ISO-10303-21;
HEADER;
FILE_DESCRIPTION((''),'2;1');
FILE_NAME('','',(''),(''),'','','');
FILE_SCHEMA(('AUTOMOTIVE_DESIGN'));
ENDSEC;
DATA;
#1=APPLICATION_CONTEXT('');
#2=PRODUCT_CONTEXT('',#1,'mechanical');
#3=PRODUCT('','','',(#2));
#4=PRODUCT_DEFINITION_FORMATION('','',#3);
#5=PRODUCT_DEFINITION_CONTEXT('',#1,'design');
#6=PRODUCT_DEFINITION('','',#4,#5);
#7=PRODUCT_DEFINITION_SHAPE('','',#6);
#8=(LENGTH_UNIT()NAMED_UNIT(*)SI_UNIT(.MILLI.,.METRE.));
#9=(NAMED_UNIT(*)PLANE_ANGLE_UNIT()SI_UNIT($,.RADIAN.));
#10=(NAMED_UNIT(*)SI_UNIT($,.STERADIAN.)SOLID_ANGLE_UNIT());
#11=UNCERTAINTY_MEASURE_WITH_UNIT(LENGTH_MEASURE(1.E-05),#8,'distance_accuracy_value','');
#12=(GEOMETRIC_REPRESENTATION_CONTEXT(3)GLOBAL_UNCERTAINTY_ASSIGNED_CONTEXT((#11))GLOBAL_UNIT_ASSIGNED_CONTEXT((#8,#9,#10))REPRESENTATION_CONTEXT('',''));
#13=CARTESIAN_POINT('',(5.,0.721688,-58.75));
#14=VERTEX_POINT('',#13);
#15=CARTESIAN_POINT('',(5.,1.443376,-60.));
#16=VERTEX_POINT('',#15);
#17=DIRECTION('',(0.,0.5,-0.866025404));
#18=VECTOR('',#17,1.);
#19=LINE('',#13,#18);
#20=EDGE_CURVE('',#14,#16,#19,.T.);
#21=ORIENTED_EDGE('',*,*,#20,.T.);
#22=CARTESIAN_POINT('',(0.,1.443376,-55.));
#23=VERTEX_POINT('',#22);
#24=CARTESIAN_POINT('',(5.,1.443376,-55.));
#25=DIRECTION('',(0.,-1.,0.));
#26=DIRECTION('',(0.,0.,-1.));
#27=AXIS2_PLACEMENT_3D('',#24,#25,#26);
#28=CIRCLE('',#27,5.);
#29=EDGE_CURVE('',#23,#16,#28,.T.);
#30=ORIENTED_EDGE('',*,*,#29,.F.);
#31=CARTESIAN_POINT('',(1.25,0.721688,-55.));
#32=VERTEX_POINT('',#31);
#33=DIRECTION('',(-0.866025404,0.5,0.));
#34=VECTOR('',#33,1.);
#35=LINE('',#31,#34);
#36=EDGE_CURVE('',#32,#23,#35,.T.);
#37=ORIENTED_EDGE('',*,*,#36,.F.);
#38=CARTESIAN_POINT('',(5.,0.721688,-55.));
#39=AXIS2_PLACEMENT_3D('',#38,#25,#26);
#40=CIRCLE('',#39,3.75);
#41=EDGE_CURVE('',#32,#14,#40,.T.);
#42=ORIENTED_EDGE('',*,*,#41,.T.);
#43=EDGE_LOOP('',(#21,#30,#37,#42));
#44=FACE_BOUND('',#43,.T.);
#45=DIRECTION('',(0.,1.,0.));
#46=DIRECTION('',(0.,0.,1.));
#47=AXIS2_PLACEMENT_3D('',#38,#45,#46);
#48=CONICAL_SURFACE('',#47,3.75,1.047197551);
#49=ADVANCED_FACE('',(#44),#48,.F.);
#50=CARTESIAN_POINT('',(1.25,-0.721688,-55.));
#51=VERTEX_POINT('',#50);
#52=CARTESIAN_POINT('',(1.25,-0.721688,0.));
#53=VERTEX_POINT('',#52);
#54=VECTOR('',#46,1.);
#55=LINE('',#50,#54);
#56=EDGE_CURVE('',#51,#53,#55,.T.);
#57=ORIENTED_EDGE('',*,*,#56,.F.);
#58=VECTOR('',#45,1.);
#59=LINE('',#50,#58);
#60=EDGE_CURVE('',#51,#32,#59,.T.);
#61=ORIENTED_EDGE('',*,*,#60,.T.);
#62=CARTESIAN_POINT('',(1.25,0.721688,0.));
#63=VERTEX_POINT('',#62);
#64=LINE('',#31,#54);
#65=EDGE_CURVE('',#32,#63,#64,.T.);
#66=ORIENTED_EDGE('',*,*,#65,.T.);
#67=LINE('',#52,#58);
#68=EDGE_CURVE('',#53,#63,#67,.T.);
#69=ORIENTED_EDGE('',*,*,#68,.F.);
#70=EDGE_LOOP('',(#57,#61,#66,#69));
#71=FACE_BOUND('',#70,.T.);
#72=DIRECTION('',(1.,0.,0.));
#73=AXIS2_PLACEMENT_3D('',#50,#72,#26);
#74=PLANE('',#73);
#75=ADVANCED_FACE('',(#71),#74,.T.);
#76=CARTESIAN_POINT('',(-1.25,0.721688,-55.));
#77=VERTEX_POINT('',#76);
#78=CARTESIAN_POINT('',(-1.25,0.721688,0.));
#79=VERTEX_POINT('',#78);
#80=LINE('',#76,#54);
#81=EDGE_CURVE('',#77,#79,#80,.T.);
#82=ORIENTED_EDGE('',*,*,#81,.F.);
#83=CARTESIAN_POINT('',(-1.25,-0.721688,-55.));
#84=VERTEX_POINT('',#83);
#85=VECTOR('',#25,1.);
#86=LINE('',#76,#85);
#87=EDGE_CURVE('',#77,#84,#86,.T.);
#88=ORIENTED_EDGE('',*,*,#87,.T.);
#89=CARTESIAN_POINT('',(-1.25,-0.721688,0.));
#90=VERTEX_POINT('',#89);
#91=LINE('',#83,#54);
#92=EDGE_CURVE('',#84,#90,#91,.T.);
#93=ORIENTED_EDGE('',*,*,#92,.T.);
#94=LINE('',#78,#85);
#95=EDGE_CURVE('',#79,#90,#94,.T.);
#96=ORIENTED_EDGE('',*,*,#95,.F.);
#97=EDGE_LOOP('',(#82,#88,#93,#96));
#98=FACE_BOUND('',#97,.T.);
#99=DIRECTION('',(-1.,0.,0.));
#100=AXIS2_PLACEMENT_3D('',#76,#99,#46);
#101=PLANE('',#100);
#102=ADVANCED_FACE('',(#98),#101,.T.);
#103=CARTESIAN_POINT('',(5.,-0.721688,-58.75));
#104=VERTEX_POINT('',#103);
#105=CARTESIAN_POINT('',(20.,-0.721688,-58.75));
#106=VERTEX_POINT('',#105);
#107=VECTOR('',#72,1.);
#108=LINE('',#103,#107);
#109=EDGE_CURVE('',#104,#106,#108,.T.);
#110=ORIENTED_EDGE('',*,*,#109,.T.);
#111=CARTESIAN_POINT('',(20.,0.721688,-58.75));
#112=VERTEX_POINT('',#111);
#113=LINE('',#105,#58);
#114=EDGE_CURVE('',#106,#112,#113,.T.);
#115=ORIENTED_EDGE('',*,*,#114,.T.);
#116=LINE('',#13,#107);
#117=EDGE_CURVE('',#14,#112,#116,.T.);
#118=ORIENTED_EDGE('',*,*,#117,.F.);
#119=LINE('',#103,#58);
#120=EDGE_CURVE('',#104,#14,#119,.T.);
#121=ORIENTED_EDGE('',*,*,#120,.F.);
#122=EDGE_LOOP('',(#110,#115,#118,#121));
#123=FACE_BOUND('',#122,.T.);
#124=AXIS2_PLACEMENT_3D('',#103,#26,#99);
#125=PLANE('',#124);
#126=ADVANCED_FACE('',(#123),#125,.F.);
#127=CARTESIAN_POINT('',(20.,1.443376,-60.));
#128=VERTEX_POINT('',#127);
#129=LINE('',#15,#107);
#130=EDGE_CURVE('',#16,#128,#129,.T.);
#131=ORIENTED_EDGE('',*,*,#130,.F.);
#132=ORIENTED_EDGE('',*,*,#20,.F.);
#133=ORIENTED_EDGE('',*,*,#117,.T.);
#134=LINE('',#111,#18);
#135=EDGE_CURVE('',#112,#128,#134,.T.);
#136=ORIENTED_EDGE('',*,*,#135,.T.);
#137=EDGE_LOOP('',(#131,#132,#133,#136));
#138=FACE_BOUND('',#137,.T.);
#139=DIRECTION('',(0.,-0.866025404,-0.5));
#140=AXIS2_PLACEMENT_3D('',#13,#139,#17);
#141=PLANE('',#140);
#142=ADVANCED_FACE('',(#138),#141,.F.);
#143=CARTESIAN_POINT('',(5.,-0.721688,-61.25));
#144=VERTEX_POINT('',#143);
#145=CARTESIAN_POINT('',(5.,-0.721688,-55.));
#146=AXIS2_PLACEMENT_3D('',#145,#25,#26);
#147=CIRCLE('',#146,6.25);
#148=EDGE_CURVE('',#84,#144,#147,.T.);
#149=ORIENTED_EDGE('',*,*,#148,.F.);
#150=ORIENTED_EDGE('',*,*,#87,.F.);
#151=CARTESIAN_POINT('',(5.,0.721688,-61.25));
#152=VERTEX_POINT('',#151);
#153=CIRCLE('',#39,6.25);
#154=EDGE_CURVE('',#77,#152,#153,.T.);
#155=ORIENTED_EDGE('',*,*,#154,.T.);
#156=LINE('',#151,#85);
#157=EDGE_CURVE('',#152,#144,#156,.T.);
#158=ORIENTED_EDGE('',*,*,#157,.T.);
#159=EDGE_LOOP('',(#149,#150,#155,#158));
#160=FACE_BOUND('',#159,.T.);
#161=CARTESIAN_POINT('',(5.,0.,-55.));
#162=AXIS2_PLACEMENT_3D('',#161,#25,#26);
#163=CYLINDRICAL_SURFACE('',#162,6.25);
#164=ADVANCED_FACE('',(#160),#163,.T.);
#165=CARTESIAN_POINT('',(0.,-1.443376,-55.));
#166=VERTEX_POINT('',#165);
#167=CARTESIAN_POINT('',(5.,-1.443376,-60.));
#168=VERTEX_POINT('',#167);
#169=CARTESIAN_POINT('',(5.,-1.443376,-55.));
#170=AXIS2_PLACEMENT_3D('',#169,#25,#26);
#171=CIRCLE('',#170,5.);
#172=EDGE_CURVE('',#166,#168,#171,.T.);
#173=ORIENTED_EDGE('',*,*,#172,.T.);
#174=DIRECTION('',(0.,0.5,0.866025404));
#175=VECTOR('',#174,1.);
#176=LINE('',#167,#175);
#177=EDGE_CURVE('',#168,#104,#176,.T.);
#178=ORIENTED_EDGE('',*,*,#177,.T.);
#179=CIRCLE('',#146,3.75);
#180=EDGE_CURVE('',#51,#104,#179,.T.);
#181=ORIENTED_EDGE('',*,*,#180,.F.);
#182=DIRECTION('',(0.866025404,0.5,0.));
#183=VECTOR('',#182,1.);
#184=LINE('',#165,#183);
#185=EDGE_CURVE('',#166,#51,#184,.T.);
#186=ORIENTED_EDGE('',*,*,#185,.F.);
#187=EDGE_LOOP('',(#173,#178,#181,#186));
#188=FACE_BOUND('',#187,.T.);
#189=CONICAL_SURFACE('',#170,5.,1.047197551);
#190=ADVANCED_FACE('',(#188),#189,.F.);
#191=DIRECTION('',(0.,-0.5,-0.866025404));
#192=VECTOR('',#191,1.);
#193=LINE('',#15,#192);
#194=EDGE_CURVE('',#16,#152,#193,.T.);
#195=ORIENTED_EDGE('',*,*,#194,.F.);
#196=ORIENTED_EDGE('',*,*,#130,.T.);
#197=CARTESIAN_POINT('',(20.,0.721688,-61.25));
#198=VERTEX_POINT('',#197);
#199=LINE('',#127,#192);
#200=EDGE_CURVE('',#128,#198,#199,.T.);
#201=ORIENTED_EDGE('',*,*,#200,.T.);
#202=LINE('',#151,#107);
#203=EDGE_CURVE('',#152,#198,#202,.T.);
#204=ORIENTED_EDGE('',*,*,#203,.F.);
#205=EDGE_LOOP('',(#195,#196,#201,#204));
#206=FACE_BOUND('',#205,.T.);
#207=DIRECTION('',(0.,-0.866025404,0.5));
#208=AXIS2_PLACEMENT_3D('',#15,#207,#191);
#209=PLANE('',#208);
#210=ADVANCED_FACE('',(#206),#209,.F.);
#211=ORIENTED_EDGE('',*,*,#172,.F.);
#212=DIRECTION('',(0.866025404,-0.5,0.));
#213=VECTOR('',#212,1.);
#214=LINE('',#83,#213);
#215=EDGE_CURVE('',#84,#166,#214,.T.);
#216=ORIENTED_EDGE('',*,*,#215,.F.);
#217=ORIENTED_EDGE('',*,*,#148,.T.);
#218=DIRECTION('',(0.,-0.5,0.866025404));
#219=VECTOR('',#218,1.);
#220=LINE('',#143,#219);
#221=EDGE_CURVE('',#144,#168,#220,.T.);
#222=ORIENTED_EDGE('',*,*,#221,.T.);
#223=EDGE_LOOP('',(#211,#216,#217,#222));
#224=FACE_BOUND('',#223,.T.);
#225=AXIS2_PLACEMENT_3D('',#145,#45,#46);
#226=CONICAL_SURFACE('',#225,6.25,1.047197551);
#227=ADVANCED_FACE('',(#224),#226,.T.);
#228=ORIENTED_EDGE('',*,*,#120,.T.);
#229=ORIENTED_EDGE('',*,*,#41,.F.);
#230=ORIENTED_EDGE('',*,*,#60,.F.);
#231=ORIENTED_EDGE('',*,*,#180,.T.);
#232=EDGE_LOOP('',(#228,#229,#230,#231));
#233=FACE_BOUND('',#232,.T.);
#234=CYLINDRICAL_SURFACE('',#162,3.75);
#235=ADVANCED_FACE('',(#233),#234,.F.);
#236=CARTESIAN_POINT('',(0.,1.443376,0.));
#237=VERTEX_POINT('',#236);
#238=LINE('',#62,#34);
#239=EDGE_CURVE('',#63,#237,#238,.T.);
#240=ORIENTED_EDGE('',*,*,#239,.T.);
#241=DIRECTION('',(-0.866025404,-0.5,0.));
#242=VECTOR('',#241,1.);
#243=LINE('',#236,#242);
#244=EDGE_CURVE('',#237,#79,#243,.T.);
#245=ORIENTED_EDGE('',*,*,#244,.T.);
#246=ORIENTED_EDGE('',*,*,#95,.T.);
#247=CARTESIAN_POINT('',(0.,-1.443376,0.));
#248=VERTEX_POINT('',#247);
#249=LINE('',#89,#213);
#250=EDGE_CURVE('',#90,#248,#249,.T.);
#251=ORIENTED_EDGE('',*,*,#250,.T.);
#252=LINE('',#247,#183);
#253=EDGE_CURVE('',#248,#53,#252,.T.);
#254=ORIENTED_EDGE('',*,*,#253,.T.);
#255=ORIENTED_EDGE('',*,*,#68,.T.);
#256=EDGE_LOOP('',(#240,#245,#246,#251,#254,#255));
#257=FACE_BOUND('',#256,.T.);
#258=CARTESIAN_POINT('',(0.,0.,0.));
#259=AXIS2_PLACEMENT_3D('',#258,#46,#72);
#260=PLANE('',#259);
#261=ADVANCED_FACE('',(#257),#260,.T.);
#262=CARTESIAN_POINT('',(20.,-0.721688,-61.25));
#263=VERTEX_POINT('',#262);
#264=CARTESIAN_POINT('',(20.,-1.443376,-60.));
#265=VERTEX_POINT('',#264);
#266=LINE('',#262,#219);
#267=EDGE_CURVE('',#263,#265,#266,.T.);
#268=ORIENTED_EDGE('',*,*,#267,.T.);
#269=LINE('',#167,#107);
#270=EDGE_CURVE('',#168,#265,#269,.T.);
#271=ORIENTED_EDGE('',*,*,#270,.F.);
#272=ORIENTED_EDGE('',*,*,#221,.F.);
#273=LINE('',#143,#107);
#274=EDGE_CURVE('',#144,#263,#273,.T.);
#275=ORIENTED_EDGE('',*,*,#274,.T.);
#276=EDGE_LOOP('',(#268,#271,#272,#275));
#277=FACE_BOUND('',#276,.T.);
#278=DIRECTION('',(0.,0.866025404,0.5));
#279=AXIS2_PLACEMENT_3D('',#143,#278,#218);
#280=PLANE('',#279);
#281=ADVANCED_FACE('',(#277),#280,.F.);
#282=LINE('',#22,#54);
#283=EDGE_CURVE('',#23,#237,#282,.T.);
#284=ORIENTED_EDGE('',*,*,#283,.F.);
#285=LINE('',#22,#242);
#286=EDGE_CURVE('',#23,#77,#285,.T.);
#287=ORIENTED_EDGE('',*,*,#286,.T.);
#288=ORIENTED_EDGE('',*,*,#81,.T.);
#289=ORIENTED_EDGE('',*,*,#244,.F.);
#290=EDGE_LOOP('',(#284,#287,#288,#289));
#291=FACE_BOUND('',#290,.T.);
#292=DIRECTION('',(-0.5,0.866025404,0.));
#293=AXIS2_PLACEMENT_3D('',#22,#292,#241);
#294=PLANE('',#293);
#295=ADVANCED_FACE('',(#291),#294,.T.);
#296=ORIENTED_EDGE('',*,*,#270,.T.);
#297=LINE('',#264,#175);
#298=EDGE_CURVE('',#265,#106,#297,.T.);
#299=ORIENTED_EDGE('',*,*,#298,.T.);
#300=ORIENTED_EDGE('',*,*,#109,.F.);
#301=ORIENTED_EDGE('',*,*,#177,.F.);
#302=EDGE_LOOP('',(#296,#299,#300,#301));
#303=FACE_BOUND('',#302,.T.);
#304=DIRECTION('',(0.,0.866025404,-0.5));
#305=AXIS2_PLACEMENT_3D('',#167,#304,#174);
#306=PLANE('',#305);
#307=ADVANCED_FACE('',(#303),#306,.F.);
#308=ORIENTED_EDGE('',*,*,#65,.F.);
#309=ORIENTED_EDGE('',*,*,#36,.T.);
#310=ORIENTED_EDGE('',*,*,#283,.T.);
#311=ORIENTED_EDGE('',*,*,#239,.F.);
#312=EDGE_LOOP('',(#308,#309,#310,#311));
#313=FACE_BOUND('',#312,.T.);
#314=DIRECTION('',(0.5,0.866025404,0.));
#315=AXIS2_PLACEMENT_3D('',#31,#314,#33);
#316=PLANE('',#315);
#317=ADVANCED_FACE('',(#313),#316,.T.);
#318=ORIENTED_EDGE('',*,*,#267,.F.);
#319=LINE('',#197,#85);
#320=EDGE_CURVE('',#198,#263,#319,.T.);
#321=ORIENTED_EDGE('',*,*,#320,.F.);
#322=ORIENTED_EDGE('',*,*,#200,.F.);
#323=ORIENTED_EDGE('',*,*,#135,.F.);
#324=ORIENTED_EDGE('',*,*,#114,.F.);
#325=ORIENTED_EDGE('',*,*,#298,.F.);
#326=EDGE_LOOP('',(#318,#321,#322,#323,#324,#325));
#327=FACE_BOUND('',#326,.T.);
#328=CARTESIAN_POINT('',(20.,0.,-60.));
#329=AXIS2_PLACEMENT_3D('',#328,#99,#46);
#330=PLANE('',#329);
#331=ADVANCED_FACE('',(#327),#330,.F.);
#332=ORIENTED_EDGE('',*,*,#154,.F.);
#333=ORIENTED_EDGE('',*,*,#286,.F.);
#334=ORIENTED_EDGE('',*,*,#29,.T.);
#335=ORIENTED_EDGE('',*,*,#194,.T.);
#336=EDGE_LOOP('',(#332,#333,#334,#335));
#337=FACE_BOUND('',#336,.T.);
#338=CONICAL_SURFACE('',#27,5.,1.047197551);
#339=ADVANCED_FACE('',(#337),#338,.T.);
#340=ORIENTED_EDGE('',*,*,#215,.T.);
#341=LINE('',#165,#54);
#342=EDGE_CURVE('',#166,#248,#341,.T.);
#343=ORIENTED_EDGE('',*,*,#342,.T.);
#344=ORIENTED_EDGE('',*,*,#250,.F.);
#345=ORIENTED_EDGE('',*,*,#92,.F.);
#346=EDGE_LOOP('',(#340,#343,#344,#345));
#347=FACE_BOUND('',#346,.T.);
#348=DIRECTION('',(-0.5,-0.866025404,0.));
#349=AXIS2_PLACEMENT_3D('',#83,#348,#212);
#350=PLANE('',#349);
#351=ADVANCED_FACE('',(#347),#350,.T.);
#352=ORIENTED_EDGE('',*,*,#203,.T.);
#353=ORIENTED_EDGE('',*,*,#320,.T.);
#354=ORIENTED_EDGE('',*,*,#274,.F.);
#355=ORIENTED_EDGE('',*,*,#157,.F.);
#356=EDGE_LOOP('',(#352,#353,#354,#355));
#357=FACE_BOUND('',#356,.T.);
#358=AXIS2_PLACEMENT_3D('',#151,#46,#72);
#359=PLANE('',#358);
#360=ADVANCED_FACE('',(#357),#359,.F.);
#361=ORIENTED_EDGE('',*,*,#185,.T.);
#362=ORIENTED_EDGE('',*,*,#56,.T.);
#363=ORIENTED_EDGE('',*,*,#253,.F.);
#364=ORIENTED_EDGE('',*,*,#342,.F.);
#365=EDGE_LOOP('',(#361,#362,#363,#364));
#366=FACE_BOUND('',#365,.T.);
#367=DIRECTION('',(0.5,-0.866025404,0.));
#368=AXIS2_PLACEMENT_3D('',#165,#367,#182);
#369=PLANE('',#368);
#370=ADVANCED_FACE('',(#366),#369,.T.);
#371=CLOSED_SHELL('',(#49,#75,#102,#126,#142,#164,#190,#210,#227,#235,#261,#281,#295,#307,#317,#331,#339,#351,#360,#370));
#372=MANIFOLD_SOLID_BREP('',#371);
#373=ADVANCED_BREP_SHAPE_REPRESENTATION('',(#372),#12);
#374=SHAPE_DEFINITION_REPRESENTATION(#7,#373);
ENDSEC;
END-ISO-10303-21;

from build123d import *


with BuildPart() as part:
    # Sweep1: sweep along a path in Sketch1
    with BuildLine(Plane(origin=(0, 0, 0), x_dir=(1, 0, 0), z_dir=(0, 1, 0))) as sweep1_path:
        Line((0, 0), (0, 55))
        ThreePointArc((0, 55), (1.464466094, 58.535533906), (5, 60))
        Line((5, 60), (20, 60))
    # Sketch2 → Sweep1 (sweep)
    with BuildSketch(Plane.XY):
        Polygon((0, 1.443375673), (-1.25, 0.721687836), (-1.25, -0.721687836), (0, -1.443375673), (1.25, -0.721687836), (1.25, 0.721687836), align=None)
    sweep(path=sweep1_path.line)


solid = part.part
